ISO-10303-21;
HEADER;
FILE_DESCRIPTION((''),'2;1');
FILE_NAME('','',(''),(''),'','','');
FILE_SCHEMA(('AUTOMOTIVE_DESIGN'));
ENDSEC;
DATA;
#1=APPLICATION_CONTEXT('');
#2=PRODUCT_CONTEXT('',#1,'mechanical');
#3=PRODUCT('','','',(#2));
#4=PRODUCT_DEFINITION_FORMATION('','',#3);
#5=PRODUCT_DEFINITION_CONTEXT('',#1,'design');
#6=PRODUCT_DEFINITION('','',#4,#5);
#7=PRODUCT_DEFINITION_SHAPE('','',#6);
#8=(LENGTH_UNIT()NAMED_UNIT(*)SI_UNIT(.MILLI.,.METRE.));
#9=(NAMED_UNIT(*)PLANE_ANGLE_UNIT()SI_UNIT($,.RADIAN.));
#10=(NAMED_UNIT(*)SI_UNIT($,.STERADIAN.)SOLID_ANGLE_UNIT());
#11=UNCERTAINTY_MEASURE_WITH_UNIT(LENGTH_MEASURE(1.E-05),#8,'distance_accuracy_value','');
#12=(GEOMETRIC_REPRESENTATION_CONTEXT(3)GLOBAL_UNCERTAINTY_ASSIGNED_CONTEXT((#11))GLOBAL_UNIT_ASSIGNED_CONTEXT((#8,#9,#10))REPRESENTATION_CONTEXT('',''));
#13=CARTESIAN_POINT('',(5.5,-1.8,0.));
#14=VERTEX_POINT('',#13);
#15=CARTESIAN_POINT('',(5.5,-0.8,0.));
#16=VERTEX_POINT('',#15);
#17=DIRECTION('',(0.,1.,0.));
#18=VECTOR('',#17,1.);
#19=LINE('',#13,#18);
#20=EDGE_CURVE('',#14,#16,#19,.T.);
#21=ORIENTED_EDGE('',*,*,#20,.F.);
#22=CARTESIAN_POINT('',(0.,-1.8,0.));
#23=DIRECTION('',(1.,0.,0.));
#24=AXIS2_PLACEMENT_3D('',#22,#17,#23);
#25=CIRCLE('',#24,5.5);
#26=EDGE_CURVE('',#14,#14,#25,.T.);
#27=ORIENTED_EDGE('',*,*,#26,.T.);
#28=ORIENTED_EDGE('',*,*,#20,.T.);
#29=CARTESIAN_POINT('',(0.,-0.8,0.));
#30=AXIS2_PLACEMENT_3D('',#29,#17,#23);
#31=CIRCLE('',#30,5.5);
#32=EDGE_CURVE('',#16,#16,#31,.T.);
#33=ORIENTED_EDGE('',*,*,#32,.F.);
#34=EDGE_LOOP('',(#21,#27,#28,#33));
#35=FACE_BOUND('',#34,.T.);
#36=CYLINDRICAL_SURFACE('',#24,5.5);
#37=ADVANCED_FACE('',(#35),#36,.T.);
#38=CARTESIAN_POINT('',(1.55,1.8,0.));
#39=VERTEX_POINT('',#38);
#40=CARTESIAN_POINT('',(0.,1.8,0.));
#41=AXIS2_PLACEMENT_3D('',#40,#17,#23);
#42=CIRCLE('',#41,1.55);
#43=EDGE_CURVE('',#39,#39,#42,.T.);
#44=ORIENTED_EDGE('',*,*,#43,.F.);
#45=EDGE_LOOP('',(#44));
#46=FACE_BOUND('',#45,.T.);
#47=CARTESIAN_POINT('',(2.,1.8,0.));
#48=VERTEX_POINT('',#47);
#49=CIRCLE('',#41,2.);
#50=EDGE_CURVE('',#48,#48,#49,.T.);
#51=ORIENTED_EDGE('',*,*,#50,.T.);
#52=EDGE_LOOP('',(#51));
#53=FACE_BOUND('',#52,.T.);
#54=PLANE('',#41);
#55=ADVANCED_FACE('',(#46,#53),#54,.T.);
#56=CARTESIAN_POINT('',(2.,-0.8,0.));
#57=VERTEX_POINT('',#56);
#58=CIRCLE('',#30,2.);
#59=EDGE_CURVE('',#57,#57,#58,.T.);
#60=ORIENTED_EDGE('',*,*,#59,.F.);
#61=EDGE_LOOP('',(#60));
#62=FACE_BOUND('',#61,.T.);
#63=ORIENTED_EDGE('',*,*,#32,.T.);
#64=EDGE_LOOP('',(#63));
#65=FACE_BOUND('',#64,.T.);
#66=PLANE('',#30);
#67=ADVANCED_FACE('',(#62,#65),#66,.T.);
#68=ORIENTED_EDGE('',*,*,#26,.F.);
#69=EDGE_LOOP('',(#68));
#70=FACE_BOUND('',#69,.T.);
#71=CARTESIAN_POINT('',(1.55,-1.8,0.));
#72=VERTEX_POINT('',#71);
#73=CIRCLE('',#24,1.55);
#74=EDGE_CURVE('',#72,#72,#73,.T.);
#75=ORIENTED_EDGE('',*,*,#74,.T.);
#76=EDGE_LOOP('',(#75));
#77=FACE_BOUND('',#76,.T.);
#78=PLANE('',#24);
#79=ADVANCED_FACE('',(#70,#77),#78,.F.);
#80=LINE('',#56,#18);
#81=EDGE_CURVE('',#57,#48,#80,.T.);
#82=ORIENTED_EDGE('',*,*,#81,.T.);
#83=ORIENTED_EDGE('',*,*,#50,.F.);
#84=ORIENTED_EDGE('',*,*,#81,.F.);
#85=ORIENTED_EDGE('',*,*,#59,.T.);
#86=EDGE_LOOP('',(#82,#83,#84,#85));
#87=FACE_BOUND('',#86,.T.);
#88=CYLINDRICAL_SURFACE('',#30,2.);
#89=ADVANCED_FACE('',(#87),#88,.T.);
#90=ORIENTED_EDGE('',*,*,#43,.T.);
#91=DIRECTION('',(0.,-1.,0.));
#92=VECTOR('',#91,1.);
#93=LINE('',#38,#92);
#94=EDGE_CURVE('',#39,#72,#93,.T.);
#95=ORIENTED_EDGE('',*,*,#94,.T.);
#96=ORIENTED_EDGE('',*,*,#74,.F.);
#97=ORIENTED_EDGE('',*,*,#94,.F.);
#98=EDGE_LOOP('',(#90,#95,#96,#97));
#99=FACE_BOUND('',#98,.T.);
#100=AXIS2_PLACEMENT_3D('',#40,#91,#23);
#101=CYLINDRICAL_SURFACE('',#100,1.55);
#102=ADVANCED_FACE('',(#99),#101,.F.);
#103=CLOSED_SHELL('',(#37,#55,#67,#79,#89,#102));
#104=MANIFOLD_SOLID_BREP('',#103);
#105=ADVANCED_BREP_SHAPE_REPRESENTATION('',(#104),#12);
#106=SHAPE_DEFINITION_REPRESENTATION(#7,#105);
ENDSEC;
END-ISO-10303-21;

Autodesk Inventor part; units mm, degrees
ref_plane "YZ Plane" through (0, 0, 0) normal (1, 0, 0) x (0, 1, 0)
ref_plane "XZ Plane" through (0, 0, 0) normal (0, 1, 0) x (-1, 0, 0)
ref_plane "XY Plane" through (0, 0, 0) normal (0, 0, 1) x (1, 0, 0)
sketch "スケッチ1" plane through (0, 0, 0) normal (0, 0, 1) x (1, 0, 0)
  line L0 (1.55, 1.8) -> (1.55, -1.8)
  line L1 (1.55, -1.8) -> (5.5, -1.8)
  line L2 (5.5, -1.8) -> (5.5, -0.8)
  line L3 (5.5, -0.8) -> (2, -0.8)
  line L4 (2, -0.8) -> (2, 1.8)
  line L5 (2, 1.8) -> (1.55, 1.8)
  line L6 (0, -2.52) -> (0, 2.52) projected
  point P0 (0, 0)
  point P1 (1.55, 0)
  dimension "d0" = 2
  dimension "d1" = 1.55
  dimension "d2" = 5.5
  dimension "d3" = 1
  dimension "d7" = 2.6
revolve "回転1" add sketch "スケッチ1" angle 360 about axis through (0, -10, 0) along (0, 1, 0)
properties part number "膝_同軸_スペーサ_1_2" material "アセタール樹脂、黒"
